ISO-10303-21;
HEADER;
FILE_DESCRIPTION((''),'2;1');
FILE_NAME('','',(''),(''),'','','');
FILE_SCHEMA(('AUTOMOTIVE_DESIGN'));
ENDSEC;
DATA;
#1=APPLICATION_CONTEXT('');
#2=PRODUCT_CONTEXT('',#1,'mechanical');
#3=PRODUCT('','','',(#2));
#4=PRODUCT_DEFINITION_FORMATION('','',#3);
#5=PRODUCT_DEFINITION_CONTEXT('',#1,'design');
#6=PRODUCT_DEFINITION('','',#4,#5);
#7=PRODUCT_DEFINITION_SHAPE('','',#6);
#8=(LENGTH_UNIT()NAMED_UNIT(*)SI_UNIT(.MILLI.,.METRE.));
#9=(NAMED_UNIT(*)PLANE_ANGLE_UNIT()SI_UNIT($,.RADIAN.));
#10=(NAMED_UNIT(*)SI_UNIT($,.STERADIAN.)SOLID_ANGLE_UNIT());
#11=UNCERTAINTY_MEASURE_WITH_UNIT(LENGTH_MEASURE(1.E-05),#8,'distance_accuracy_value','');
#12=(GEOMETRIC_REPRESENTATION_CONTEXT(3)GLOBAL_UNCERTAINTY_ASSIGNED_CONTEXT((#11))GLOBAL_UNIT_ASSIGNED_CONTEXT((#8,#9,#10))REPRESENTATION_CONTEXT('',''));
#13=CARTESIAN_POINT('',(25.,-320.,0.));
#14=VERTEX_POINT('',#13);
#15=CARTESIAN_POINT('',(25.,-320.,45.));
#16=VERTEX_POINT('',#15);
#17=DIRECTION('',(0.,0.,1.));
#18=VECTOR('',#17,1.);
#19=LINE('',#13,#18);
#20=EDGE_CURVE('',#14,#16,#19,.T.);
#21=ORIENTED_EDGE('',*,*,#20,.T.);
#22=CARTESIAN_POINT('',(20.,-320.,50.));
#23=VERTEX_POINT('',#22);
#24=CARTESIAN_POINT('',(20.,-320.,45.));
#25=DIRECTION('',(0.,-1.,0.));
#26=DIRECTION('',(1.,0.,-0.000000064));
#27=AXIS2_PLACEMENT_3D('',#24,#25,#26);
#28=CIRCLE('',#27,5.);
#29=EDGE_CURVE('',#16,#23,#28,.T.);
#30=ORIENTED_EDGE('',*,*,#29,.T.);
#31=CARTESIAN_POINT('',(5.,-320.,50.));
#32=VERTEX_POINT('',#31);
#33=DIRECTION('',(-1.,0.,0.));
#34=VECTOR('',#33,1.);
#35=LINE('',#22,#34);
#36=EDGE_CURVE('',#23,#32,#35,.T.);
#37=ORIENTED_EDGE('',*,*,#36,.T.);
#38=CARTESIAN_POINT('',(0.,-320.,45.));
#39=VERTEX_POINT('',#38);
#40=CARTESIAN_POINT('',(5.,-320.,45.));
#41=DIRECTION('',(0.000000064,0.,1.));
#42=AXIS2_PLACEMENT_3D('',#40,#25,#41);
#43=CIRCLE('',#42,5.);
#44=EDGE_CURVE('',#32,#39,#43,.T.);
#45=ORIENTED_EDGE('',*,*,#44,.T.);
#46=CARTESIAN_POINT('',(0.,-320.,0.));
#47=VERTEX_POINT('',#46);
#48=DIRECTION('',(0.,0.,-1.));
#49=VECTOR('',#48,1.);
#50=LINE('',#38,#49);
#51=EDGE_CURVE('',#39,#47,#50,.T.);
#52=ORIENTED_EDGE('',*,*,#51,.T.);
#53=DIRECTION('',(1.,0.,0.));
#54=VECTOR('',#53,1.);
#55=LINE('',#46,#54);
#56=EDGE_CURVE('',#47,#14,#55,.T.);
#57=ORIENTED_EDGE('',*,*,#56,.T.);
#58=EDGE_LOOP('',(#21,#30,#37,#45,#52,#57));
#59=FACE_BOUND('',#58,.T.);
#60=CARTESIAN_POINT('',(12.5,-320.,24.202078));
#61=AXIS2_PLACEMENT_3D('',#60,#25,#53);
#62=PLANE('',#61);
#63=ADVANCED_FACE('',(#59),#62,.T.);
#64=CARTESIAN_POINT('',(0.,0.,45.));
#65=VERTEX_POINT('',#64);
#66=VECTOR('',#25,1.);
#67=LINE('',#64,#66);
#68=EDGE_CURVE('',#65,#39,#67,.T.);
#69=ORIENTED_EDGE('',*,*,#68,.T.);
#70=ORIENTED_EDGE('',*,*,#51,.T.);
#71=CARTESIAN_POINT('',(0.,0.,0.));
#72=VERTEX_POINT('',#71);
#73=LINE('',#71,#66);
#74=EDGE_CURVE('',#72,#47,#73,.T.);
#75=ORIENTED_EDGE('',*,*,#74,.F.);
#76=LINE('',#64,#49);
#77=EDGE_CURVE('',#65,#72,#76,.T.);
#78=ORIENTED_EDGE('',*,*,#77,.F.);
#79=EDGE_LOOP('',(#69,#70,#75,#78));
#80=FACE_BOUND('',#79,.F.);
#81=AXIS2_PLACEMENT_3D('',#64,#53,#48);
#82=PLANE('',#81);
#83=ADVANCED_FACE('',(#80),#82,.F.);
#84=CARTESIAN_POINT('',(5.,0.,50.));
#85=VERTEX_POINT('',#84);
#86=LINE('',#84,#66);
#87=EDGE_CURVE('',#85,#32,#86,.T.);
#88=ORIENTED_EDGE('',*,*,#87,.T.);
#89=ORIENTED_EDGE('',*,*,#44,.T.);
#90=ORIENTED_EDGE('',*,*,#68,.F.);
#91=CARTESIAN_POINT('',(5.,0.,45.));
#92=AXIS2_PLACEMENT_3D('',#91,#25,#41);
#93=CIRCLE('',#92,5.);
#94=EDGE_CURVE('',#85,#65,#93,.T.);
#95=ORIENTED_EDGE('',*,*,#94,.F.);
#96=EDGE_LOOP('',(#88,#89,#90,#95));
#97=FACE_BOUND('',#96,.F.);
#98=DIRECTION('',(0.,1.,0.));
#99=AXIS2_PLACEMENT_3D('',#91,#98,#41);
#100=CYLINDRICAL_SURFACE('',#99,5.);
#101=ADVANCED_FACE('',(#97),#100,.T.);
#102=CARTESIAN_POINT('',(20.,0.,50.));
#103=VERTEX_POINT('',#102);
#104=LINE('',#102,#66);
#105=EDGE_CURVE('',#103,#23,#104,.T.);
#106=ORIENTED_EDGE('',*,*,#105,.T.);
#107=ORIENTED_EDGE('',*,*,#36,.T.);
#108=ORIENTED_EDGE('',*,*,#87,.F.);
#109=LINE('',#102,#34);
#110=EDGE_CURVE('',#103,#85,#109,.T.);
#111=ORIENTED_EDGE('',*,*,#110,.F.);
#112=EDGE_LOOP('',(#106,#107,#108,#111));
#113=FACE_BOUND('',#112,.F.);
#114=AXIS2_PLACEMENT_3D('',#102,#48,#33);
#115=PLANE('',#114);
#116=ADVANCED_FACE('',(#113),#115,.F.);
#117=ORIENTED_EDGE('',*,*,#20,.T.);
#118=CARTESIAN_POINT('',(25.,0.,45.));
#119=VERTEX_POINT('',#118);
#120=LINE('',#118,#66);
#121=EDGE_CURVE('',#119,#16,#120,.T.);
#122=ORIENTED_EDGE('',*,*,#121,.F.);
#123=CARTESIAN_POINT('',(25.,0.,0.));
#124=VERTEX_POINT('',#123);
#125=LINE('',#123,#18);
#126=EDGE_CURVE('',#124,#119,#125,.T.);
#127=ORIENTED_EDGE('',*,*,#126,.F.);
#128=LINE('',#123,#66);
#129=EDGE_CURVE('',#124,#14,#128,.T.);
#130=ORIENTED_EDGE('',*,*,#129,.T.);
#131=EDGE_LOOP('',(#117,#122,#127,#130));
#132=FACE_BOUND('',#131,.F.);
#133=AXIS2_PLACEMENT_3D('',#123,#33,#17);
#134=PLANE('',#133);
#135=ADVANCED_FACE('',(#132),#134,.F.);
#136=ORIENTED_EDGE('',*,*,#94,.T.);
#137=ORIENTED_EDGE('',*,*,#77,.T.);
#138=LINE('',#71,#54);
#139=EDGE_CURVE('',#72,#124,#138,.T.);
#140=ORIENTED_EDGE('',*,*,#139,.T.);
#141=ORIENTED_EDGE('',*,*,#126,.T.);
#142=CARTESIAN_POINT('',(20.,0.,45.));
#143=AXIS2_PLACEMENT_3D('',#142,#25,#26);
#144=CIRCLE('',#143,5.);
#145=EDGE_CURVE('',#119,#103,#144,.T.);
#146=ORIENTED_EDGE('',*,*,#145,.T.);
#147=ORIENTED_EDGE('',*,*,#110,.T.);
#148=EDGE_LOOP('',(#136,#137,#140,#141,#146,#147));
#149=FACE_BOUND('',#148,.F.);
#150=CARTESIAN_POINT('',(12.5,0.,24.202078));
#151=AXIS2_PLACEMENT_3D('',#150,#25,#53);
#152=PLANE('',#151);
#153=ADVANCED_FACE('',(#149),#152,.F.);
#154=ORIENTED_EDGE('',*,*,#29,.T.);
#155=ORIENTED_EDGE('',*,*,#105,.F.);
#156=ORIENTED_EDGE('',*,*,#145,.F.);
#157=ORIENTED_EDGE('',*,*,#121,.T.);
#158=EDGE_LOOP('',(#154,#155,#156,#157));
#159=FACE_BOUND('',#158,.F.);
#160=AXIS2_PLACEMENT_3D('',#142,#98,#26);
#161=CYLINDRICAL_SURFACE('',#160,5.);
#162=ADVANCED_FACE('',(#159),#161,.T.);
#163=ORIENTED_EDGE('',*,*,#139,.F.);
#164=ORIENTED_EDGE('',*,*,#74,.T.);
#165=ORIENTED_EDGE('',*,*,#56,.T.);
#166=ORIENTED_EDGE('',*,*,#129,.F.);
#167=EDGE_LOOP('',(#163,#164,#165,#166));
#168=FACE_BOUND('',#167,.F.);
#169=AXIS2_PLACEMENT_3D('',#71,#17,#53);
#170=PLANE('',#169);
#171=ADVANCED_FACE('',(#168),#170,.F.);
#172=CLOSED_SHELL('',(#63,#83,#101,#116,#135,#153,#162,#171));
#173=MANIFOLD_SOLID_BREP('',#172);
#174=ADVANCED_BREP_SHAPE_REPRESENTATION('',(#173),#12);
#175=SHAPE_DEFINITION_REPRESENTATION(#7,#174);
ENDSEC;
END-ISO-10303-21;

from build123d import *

# Parameters (mm, degrees)
F1_DEPTH = 320


with BuildPart() as f1:
    # F0 (on Front) → F1 (new body)
    with BuildSketch(Plane.XZ):
        with BuildLine():
            Line((0, 45), (0, 0))
            Line((0, 0), (25, 0))
            Line((25, 0), (25, 45))
            ThreePointArc((25, 45), (23.535534, 48.535534), (20, 50))
            Line((20, 50), (5, 50))
            ThreePointArc((5, 50), (1.464466, 48.535534), (0, 45))
        make_face()
    extrude(amount=F1_DEPTH)


solid = f1.part
